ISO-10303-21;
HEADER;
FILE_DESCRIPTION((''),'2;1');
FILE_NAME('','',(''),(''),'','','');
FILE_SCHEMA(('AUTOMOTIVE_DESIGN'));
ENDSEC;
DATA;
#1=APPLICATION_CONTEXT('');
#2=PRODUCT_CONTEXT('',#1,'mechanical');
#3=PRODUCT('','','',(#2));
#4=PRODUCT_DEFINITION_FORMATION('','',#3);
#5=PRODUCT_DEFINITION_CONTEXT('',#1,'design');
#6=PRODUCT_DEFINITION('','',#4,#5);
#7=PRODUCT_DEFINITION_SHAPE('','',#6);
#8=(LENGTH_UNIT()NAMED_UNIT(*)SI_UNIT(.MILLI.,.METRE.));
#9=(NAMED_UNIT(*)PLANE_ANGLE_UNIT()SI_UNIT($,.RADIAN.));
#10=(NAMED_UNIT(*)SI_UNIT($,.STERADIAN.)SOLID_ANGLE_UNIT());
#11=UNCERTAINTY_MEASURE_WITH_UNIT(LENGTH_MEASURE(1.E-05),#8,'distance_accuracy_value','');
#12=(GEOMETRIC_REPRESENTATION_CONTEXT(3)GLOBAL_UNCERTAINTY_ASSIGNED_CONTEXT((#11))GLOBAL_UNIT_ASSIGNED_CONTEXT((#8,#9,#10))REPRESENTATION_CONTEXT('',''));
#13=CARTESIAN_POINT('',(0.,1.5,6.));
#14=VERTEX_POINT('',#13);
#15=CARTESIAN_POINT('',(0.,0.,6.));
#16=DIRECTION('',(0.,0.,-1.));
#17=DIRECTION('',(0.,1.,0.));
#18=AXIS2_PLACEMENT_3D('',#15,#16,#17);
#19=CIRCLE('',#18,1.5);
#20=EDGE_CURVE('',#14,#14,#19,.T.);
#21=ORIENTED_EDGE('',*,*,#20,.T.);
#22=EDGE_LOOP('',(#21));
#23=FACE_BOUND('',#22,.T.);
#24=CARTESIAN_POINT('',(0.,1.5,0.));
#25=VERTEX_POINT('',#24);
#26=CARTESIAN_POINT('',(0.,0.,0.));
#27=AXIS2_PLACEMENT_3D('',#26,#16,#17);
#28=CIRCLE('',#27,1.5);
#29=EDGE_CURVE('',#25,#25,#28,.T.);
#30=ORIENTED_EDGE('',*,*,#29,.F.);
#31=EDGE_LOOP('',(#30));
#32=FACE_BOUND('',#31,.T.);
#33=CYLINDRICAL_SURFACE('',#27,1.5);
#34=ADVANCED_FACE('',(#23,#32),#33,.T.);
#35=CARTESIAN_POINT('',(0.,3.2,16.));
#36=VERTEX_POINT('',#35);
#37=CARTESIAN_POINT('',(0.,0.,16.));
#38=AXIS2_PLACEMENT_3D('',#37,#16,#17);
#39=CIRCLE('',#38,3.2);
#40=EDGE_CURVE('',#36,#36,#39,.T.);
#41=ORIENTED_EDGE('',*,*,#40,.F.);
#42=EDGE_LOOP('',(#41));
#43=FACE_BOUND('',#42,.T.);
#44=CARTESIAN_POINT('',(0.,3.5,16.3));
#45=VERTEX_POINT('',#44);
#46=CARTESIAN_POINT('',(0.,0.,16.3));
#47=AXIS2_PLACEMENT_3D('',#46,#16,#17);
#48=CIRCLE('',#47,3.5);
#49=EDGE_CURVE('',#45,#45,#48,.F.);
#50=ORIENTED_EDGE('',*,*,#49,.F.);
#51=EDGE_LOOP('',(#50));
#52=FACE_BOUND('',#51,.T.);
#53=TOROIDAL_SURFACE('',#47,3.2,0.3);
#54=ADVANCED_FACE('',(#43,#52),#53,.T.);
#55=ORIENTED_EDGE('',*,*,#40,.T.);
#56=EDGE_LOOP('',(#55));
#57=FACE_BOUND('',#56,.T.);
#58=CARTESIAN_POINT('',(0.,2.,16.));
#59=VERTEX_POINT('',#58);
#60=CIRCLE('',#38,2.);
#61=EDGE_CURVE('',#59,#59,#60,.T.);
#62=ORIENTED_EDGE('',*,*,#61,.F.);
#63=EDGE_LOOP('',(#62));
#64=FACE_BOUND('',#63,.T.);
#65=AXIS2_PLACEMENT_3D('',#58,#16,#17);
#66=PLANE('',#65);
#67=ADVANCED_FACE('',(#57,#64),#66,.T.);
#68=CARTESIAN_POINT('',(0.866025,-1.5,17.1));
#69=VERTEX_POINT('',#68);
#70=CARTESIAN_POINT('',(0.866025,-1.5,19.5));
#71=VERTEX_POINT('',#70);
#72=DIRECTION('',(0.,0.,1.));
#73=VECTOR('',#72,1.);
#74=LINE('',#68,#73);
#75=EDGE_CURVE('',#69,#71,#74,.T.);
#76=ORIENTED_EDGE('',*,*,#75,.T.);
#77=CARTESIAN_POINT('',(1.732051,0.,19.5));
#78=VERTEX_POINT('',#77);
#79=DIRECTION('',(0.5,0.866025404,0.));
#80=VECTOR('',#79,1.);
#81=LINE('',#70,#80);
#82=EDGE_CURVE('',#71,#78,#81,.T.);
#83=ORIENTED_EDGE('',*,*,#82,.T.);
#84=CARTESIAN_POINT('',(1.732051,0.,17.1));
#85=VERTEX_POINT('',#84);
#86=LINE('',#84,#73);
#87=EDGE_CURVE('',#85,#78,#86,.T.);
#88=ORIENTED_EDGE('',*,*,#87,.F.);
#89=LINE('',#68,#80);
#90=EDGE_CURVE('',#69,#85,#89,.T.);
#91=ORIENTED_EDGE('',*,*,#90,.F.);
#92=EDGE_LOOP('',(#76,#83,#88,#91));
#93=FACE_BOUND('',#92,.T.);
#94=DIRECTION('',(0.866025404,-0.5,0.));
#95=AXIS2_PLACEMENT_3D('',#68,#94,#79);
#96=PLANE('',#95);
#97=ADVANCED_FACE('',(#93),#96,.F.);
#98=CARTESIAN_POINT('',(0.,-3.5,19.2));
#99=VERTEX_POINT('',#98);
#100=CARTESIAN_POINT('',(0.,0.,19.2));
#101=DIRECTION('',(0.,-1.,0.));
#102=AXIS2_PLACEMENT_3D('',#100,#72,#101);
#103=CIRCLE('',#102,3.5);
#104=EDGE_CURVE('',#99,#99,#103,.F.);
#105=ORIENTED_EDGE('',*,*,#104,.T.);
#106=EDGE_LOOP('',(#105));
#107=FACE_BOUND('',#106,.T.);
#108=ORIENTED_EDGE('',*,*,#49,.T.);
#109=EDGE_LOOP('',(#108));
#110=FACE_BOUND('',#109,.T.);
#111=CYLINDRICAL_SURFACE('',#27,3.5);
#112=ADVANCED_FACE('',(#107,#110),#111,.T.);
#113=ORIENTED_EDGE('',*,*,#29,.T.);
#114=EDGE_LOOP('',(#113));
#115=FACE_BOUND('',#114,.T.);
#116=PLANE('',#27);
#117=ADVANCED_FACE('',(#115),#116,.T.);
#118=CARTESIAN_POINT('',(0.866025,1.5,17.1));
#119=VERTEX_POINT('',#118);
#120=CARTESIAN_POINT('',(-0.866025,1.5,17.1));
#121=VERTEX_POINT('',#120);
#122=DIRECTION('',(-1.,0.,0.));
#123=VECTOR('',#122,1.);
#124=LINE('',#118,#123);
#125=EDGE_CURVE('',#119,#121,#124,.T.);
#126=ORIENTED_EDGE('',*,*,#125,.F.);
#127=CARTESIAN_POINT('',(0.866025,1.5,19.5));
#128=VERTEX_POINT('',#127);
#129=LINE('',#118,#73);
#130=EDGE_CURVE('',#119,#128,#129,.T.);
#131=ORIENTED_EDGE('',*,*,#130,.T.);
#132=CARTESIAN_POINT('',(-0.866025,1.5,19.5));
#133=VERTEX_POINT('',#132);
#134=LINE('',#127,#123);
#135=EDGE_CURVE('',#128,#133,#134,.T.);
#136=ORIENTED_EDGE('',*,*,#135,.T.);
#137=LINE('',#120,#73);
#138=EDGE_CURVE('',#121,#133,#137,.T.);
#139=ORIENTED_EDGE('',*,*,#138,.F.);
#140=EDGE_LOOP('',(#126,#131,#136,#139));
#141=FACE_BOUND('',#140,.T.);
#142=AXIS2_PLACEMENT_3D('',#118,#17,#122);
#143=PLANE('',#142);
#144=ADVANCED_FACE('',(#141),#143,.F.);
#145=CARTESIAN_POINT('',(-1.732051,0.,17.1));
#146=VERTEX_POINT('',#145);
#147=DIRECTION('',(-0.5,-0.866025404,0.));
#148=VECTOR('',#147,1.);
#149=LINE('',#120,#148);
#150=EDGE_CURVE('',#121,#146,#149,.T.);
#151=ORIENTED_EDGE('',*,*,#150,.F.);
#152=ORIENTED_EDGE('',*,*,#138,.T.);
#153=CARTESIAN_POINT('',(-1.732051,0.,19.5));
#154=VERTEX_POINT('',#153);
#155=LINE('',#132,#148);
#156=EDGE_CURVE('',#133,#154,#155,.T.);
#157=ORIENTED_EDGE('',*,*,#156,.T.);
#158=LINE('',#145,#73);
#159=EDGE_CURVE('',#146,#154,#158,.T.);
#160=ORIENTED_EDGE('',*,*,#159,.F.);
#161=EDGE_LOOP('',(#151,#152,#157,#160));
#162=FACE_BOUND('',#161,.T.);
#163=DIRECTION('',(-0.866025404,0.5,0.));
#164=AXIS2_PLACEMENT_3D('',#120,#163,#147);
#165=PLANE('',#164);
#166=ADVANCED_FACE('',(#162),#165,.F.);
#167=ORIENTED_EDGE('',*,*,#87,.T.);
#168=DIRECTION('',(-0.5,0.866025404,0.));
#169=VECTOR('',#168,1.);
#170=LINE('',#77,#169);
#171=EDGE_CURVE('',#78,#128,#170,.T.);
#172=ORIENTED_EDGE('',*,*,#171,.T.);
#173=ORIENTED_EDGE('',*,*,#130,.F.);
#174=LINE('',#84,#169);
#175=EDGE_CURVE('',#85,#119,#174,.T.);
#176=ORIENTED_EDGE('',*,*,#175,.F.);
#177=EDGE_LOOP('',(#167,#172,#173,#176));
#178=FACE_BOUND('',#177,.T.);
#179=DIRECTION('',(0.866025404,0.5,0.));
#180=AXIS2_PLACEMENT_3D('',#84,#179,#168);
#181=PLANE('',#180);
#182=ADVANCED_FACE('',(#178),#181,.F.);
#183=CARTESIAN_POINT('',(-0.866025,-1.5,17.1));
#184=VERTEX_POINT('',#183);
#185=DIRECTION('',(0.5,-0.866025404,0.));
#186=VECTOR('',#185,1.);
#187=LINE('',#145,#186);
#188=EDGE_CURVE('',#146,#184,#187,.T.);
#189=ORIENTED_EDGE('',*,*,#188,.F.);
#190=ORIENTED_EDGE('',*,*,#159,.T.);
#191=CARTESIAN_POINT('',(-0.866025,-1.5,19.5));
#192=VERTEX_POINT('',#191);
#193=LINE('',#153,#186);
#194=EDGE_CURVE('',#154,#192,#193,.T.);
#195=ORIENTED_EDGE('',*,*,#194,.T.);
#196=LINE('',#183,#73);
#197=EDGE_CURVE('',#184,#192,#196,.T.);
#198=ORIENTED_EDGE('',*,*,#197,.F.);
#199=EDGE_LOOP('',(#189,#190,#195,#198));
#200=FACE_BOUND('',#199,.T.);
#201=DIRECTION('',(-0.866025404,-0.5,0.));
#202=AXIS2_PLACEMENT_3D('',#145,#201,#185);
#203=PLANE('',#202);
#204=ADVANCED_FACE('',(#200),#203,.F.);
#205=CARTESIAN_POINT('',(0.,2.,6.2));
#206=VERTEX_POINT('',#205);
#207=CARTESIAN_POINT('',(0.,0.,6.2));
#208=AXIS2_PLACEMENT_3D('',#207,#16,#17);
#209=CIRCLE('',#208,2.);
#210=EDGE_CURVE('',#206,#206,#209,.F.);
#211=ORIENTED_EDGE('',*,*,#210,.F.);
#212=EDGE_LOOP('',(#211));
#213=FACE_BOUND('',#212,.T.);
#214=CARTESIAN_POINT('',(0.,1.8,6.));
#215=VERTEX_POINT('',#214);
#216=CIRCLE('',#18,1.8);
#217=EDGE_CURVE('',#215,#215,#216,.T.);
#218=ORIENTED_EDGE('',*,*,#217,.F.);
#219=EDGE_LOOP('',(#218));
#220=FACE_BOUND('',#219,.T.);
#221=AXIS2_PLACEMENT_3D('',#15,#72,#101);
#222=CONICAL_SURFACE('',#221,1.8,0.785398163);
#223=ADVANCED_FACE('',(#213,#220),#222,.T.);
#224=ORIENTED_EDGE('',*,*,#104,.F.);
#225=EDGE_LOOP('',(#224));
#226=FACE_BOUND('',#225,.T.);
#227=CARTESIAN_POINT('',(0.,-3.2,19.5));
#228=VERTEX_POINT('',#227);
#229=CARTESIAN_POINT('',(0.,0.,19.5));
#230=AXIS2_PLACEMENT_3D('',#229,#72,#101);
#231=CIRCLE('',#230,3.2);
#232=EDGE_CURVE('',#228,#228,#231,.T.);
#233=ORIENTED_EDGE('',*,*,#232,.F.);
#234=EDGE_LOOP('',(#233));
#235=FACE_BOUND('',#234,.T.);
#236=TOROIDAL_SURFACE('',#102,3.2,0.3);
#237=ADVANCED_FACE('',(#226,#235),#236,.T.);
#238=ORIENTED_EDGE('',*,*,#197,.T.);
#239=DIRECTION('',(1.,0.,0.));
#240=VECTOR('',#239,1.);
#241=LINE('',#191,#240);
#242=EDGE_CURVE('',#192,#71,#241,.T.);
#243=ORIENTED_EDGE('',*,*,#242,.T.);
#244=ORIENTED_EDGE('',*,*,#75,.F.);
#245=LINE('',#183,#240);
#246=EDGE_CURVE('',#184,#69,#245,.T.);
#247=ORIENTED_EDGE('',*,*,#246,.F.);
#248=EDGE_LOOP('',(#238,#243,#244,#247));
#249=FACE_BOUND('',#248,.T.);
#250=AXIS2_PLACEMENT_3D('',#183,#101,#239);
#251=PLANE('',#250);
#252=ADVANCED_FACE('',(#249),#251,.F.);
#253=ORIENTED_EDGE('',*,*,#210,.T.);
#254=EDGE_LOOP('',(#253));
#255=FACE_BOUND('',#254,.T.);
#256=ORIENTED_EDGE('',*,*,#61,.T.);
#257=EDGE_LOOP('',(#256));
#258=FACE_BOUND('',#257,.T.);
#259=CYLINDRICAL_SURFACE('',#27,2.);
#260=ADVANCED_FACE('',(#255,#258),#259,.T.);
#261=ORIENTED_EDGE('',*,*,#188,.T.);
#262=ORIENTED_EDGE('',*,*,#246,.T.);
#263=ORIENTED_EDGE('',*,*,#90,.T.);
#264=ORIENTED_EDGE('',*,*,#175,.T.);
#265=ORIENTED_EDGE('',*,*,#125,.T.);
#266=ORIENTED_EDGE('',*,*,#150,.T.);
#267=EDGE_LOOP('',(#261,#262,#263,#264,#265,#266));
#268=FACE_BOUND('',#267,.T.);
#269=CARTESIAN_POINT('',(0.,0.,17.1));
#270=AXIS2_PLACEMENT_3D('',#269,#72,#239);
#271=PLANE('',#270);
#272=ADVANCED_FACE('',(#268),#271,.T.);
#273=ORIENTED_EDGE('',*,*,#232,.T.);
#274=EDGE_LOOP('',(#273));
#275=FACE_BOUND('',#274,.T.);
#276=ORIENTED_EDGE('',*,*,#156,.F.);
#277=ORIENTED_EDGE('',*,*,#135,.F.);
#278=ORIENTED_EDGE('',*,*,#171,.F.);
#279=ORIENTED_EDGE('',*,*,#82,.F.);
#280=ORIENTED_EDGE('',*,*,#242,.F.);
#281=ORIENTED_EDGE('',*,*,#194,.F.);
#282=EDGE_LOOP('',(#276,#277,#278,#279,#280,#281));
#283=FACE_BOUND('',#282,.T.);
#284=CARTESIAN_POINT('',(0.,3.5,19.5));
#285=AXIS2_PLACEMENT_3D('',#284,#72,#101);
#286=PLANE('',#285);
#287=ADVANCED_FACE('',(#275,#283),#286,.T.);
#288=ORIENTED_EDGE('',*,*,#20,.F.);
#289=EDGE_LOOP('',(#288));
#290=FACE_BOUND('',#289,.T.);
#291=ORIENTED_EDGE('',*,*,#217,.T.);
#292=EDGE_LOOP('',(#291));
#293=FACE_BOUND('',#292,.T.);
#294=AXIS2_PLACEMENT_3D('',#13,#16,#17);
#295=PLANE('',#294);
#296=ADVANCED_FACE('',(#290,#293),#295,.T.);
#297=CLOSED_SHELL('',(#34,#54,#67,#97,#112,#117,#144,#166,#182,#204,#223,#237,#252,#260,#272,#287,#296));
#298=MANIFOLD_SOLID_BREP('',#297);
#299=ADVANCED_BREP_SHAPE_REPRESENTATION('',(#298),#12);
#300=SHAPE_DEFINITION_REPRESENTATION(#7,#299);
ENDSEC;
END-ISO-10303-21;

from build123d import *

# Parameters (mm, degrees)
FILLET_1_R          = 0.3
CUT_EXTRUDE_1_DEPTH = 2.4
CHAMFER_1_SIZE      = 0.2


with BuildPart() as part:
    # 草图1 → 旋转1 (revolve)
    with BuildSketch(Plane(origin=(0, 0, 0), x_dir=(0, 0, -1), z_dir=(1, 0, 0))):
        Polygon((0, 0), (0, 1.5), (-6, 1.5), (-6, 2), (-16, 2), (-16, 3.5), (-19.5, 3.5), (-19.5, 0), align=None)
    revolve(axis=Axis((0, 0, 0), (0, 0, 1)))

    # 圆角1
    fillet_1_edges = [part.edges().sort_by_distance(p)[0] for p in [
        (0, -3.5, 19.5),
        (0, -3.5, 16),
    ]]
    fillet(fillet_1_edges, radius=FILLET_1_R)

    # 草图2 → 切除-拉伸1 (cut)
    with BuildSketch(Plane.XY.offset(19.5)):
        Polygon((1.732050808, 0), (0.866025404, 1.5), (-0.866025404, 1.5), (-1.732050808, 0), (-0.866025404, -1.5), (0.866025404, -1.5), align=None)
    extrude(amount=-CUT_EXTRUDE_1_DEPTH, mode=Mode.SUBTRACT)

    # 倒角1
    chamfer_1_edges = [part.edges().sort_by_distance(p)[0] for p in [
        (0, -2, 6),
    ]]
    chamfer(chamfer_1_edges, length=CHAMFER_1_SIZE)


solid = part.part
